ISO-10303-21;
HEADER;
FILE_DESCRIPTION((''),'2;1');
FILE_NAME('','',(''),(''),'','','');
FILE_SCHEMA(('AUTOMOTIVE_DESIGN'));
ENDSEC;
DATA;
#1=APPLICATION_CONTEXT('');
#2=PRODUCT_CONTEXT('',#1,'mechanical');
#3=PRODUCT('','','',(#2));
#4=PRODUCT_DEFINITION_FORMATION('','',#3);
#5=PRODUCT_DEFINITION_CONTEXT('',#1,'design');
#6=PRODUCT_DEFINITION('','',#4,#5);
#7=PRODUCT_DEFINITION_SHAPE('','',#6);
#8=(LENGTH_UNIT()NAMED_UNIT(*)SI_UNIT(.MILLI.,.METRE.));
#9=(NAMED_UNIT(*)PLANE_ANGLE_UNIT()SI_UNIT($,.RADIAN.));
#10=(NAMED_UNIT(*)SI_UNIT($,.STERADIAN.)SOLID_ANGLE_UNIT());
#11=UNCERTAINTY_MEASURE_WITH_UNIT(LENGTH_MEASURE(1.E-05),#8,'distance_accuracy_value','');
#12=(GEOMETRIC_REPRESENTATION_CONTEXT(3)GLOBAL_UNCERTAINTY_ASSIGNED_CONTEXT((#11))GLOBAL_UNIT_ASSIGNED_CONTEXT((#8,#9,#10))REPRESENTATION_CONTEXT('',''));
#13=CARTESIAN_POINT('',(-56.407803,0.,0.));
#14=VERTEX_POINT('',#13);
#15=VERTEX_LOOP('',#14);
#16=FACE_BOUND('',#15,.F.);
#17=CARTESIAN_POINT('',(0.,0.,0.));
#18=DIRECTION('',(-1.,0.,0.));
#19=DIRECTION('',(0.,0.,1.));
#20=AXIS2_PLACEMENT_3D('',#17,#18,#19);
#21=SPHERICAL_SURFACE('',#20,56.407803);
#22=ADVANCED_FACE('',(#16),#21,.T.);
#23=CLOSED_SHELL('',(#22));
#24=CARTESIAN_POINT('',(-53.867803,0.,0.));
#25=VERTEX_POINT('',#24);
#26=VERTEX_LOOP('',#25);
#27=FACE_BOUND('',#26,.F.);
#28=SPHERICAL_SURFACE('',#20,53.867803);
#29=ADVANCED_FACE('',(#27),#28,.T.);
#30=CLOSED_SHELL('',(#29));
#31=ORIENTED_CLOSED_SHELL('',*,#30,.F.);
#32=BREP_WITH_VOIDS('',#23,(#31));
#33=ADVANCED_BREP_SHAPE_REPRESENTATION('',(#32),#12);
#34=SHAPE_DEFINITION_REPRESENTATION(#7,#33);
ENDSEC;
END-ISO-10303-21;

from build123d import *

# Parameters (mm, degrees)
F2_T = -2.54


with BuildPart() as f1:
    # F0 (on Front) → F1 (revolve)
    with BuildSketch(Plane.XZ):
        with BuildLine():
            ThreePointArc((56.4078028576, 0), (0, 56.4078028576), (-56.4078028576, 0))
            Line((-56.4078028576, 0), (56.4078028576, 0))
        make_face()
    revolve(axis=Axis((-10.1974718273, 0, 0), (1, 0, 0)))

    # F2 (hollow: no face is removed)
    offset(amount=F2_T, mode=Mode.SUBTRACT)


solid = f1.part
